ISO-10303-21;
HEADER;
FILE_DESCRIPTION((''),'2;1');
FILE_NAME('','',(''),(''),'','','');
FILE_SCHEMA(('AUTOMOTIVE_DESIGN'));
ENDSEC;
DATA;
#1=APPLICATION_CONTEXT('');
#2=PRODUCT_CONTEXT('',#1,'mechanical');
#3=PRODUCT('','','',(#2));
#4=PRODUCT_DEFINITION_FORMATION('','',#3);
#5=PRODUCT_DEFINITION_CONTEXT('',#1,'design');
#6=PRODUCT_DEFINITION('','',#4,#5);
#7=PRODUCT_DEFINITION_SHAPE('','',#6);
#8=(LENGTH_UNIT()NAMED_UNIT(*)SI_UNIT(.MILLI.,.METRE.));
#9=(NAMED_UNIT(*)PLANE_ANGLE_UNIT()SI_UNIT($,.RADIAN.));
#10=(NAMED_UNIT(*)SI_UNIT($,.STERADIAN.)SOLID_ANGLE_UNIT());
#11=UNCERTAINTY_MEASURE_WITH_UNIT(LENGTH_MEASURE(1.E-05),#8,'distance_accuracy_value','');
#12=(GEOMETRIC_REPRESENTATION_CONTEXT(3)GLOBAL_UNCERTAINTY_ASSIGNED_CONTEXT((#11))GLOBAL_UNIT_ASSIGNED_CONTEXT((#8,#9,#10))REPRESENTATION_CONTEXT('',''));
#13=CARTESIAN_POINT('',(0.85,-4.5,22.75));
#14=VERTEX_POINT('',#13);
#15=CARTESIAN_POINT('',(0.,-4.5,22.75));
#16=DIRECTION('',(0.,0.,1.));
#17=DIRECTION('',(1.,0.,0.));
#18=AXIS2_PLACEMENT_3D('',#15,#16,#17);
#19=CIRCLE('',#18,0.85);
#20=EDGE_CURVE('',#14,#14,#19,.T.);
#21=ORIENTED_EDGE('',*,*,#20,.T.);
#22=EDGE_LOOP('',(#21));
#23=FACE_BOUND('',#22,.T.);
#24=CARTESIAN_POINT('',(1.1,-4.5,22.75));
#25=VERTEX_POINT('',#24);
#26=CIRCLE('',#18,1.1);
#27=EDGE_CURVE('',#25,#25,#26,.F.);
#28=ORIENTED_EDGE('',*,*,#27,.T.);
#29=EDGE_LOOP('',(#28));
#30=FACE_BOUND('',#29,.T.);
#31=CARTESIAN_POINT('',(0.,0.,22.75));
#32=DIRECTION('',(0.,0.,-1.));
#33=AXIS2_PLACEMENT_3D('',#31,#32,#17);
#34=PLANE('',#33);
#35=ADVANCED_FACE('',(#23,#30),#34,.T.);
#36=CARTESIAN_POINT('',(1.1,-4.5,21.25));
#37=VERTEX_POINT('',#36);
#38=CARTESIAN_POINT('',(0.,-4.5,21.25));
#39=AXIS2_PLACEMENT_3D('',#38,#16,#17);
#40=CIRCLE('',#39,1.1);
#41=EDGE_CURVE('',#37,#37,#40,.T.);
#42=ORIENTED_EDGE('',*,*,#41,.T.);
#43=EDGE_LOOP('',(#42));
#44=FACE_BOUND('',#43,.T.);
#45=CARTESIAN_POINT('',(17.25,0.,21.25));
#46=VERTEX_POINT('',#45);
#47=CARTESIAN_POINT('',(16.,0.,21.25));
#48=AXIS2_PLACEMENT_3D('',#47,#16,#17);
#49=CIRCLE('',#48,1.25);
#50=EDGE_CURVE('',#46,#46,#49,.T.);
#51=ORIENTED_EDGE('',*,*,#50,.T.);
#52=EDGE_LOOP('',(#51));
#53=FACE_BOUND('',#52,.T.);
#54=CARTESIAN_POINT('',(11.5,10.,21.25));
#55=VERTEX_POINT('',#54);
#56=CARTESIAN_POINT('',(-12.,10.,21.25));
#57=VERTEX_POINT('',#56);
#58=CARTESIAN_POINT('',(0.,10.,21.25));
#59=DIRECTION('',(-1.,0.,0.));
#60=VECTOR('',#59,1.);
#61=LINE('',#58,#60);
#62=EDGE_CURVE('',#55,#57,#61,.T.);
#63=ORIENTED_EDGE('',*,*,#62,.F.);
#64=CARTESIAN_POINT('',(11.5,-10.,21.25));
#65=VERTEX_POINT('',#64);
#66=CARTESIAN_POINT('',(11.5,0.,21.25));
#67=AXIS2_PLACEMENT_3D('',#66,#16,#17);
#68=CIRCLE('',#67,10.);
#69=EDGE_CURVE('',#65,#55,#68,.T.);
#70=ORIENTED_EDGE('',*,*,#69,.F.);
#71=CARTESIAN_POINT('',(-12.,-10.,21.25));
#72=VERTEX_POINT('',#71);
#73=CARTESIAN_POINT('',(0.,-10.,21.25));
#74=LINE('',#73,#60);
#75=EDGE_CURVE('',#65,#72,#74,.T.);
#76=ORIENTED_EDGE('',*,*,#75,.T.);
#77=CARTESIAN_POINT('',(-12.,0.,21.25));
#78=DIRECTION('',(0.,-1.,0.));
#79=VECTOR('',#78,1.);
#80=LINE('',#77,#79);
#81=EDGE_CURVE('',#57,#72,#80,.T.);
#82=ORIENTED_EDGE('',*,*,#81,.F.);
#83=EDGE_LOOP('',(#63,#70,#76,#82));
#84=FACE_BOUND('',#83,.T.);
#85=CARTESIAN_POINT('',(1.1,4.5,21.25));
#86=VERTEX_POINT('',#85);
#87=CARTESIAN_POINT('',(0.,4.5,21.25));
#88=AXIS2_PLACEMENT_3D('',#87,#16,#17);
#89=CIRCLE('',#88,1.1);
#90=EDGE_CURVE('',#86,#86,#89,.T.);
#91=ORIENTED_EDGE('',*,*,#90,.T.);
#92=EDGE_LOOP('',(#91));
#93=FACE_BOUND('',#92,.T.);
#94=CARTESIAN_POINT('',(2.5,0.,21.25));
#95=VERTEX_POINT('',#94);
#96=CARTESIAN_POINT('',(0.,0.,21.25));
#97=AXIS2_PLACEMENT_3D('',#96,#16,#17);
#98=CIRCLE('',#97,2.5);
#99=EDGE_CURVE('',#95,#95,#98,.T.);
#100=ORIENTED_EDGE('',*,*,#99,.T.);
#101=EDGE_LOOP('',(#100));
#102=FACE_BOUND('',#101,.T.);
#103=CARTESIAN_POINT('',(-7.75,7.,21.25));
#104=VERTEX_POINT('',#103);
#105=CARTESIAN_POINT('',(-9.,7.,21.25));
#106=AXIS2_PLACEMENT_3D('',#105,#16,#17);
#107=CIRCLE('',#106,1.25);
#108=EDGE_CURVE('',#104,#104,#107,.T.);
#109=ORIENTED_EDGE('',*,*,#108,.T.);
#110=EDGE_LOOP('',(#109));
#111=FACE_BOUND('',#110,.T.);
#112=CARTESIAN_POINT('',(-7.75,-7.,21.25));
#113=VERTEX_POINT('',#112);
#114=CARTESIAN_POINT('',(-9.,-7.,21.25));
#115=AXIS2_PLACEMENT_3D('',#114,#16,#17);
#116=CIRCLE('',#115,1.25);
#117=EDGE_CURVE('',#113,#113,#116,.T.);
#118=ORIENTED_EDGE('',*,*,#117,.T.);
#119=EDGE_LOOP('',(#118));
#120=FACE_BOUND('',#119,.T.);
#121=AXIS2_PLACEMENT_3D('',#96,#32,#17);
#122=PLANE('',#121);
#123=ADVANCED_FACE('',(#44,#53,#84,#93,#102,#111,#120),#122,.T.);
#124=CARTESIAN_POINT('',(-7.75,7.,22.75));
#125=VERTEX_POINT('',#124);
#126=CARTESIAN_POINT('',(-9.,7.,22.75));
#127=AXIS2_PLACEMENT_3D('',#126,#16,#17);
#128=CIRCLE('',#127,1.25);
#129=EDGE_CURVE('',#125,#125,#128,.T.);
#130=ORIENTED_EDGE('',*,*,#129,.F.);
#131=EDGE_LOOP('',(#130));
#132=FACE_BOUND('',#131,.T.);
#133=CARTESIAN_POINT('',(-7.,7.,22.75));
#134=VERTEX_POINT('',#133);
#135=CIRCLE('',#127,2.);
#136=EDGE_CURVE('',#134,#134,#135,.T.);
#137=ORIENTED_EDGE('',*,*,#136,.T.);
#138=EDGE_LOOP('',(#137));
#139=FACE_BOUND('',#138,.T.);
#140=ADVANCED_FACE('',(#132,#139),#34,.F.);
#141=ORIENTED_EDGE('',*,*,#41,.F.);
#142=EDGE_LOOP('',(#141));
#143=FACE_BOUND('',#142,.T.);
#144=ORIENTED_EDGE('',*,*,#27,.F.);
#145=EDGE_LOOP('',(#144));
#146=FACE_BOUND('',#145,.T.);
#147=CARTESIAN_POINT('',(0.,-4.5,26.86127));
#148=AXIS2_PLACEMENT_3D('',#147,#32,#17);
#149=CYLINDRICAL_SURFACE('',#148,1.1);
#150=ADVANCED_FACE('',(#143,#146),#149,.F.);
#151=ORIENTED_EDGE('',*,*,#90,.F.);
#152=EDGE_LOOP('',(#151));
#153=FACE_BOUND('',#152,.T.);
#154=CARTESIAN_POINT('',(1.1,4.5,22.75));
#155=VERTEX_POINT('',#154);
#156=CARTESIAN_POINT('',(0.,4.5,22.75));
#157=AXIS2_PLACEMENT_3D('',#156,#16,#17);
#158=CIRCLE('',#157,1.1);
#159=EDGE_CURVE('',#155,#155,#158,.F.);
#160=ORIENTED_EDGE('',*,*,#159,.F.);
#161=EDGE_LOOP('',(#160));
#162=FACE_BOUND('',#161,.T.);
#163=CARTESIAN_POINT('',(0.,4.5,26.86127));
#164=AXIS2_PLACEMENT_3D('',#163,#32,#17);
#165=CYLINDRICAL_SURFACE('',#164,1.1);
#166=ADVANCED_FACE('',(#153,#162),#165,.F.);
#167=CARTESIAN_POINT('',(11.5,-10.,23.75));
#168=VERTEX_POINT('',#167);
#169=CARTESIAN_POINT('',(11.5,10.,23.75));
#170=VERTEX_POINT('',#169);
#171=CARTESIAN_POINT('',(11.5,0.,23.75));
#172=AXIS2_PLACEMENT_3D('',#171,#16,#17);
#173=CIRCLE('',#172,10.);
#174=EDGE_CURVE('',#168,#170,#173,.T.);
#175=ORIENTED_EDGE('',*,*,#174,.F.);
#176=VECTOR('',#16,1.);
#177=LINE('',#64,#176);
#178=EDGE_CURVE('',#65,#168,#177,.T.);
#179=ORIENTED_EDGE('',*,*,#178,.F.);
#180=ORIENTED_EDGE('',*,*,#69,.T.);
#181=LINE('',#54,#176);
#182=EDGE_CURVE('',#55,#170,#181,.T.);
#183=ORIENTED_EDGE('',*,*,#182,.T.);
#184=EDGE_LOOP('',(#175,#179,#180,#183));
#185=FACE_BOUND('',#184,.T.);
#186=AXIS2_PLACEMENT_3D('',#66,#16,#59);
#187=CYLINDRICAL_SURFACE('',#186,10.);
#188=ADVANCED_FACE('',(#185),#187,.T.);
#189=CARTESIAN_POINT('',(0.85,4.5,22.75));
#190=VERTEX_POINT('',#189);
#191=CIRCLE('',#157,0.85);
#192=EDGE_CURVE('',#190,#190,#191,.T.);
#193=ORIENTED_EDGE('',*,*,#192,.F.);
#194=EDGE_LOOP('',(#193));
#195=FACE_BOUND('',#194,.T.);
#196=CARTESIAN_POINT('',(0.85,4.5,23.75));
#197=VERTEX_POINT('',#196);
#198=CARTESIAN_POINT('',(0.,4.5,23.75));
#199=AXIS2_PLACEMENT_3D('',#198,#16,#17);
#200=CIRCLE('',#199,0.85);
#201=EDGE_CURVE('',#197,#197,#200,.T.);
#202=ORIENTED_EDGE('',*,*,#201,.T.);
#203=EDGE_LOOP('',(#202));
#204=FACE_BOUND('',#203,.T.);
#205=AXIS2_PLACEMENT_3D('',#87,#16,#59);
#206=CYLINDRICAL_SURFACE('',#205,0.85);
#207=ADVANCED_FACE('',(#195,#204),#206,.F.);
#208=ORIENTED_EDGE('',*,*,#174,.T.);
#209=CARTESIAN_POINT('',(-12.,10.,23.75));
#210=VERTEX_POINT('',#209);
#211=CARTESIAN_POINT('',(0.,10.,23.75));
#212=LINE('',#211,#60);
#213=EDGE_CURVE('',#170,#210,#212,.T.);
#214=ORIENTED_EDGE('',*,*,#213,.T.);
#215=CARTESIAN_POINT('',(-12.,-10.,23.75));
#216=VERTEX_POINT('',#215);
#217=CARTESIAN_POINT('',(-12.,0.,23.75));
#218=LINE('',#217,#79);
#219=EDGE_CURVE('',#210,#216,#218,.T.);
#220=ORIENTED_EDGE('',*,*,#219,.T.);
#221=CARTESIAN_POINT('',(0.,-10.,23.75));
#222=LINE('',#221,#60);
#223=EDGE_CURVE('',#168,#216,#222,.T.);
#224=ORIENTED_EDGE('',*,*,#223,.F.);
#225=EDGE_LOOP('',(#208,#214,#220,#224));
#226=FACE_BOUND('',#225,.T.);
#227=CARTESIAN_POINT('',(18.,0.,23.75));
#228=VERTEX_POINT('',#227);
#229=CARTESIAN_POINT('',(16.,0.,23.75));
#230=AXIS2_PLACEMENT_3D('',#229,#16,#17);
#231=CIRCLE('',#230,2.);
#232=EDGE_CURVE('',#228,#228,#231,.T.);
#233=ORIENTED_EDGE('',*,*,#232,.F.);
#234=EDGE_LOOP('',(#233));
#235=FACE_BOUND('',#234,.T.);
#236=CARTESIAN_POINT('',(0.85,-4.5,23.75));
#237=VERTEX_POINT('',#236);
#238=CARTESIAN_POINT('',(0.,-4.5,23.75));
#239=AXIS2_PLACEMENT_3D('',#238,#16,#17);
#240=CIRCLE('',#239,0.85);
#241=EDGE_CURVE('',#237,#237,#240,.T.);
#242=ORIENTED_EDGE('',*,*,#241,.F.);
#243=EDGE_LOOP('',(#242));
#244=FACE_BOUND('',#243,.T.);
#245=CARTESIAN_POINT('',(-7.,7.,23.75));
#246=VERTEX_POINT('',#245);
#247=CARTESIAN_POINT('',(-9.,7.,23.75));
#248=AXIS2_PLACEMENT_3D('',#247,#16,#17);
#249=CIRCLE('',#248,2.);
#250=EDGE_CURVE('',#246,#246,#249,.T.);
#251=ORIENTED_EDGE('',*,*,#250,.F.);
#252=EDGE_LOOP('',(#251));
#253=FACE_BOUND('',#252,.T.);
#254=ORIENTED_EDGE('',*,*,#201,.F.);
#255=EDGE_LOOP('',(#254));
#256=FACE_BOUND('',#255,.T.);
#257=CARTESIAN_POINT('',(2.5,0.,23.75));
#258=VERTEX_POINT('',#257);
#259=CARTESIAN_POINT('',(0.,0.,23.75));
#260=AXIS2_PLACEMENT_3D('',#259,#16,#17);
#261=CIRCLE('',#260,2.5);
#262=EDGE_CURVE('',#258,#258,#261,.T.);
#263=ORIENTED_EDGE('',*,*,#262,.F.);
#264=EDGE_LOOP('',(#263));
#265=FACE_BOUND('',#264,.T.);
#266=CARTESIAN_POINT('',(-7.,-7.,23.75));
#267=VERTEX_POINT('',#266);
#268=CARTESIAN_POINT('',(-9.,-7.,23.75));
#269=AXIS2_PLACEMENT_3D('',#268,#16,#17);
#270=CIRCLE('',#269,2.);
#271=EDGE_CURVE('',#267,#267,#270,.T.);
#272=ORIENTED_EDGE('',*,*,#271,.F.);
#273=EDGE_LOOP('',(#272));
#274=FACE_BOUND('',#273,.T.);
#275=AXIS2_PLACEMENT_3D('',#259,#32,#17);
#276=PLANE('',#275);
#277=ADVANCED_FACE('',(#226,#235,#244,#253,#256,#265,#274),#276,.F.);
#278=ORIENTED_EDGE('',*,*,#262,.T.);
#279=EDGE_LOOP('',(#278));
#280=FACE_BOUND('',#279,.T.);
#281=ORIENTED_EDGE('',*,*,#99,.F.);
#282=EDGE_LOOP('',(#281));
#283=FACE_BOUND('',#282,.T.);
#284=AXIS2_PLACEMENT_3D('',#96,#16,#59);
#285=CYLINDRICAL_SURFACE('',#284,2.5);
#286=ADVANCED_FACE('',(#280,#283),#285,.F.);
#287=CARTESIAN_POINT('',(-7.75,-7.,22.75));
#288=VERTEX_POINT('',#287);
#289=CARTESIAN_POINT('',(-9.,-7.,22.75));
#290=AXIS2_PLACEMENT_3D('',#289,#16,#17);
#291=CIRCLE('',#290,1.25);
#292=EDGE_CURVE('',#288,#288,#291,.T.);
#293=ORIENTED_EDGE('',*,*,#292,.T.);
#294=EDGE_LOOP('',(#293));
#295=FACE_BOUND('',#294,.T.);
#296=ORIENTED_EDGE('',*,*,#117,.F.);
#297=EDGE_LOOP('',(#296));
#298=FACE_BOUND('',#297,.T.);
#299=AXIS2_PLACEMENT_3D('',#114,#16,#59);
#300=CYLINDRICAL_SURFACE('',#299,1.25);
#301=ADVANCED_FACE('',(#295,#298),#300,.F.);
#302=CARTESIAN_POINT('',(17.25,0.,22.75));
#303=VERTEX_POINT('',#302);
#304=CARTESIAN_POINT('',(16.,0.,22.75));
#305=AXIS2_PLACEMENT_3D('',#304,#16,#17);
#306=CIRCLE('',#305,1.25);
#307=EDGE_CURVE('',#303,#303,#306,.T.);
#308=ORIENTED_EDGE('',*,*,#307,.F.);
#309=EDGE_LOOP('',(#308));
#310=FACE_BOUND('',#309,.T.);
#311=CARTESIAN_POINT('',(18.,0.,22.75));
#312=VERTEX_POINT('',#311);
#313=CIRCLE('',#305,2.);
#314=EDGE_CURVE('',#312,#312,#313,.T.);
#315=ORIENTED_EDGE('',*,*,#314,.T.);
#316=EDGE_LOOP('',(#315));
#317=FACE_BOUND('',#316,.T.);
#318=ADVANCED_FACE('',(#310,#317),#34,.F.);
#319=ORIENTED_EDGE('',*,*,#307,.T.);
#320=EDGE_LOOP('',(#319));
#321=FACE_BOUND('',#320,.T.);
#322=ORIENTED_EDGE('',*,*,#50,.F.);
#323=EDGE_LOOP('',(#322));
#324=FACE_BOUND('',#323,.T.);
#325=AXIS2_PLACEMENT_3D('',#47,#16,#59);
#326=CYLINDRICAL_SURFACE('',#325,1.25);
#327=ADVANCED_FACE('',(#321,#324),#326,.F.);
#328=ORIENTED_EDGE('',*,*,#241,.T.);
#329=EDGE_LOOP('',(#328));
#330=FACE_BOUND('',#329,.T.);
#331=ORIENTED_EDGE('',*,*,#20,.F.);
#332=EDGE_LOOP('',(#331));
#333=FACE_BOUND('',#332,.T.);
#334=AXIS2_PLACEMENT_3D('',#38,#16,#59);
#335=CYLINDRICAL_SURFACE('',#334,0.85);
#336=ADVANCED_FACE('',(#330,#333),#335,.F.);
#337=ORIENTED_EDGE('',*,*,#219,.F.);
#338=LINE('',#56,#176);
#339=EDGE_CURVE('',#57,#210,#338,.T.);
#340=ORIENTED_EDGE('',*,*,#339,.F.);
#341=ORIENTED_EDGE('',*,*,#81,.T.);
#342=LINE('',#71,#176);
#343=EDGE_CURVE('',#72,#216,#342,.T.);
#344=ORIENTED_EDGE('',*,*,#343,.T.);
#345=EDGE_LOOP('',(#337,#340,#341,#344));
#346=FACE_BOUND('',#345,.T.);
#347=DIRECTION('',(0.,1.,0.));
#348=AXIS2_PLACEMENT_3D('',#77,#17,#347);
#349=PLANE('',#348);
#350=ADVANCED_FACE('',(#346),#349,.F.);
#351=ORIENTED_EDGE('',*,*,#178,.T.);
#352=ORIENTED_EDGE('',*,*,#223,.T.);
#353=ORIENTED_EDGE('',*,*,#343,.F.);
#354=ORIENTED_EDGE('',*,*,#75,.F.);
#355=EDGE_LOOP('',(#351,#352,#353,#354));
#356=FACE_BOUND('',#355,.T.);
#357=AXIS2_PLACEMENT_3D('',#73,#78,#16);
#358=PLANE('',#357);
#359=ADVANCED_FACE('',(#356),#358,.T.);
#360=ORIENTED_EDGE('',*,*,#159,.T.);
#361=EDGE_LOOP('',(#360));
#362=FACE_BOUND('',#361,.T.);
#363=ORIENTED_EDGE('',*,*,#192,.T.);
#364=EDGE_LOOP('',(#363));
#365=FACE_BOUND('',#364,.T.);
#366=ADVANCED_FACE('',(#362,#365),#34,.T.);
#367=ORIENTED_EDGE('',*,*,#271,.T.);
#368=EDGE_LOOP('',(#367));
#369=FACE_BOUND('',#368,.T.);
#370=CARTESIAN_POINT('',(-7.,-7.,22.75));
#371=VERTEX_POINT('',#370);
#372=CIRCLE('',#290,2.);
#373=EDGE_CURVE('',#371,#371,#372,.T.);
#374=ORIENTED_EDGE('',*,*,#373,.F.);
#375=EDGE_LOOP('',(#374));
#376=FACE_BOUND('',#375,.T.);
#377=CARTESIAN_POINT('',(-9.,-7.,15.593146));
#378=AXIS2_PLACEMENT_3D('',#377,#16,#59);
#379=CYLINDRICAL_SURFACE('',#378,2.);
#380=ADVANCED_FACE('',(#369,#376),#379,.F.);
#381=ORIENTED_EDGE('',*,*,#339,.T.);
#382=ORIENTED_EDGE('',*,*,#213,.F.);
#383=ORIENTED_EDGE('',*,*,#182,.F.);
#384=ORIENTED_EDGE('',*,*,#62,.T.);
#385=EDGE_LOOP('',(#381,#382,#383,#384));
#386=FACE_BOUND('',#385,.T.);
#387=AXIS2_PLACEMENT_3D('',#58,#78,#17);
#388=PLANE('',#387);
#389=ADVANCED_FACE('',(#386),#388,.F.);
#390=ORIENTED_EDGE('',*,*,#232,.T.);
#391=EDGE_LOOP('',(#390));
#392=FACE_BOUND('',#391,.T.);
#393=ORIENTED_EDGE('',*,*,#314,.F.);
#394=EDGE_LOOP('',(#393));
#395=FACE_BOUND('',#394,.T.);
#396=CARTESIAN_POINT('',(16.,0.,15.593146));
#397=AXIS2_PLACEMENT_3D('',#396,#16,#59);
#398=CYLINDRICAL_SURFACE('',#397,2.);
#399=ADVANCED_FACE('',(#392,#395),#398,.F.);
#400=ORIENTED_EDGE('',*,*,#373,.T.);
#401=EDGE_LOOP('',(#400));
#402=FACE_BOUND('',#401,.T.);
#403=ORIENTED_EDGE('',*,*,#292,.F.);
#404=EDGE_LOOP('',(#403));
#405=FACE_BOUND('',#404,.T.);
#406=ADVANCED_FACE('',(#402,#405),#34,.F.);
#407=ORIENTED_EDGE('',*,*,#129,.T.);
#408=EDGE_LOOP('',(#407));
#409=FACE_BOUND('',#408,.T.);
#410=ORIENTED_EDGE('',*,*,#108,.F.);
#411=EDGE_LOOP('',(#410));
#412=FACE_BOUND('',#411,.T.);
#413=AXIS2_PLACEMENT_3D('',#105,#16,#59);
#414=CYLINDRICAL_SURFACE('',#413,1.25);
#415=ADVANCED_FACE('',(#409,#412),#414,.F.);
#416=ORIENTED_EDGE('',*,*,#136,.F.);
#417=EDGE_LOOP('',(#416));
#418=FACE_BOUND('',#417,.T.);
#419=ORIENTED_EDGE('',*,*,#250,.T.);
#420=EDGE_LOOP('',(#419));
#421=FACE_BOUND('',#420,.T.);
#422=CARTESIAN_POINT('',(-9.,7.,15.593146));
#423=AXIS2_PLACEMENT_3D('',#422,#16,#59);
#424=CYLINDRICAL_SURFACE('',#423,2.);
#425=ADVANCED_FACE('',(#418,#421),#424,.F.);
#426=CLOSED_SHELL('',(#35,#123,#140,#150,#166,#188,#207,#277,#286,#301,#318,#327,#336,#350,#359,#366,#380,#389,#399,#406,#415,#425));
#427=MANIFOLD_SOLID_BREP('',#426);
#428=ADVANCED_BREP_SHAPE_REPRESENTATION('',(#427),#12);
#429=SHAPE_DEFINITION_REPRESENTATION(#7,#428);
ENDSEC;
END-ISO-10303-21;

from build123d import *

# Parameters (mm, degrees)
SKETCH_1_R          = 2.5
SKETCH_1_R_2        = 0.85
SKETCH_1_R_3        = 1.25
EXTRUDE_1_DEPTH     = 1.25
CUT_EXTRUDE_START   = 1.25
SKETCH_1_4_R        = 1.1
CUT_EXTRUDE_1_DEPTH = 1.5
CUT_EXTRUDE_START_2 = -1.25
SKETCH_1_5_R        = 2
CUT_EXTRUDE_3_DEPTH = 1
SKETCH_2_W          = 43.696581843
SKETCH_2_H          = 27.281666247
CUT_EXTRUDE_4_DEPTH = 27.804850307


with BuildPart() as part:
    # 草图1 → 凸台-拉伸1 (new, symmetric)
    with BuildSketch(Plane.XY):
        with BuildLine():
            Line((11.5, 10), (-12, 10))
            Line((-12, 10), (-12, -10))
            Line((-12, -10), (11.5, -10))
            ThreePointArc((11.5, -10), (21.5, 0), (11.5, 10))
        make_face()
        Circle(SKETCH_1_R, mode=Mode.SUBTRACT)
        with Locations((0, 4.5)):
            Circle(SKETCH_1_R_2, mode=Mode.SUBTRACT)
        with Locations((0, -4.5)):
            Circle(SKETCH_1_R_2, mode=Mode.SUBTRACT)
        with Locations((-9, 7)):
            Circle(SKETCH_1_R_3, mode=Mode.SUBTRACT)
        with Locations((-9, -7)):
            Circle(SKETCH_1_R_3, mode=Mode.SUBTRACT)
        with Locations((16, 0)):
            Circle(SKETCH_1_R_3, mode=Mode.SUBTRACT)
    extrude(amount=EXTRUDE_1_DEPTH, both=True)

    # 草图1<4> → 切除-拉伸1 (cut)
    with BuildSketch(Plane.XY.offset(CUT_EXTRUDE_START)):
        with Locations((0, 4.5)):
            Circle(SKETCH_1_4_R)
        with Locations((0, -4.5)):
            Circle(SKETCH_1_4_R)
    extrude(amount=-CUT_EXTRUDE_1_DEPTH, mode=Mode.SUBTRACT)

    # 草图1<5> → 切除-拉伸3 (cut)
    with BuildSketch(Plane.XY.offset(CUT_EXTRUDE_START_2)):
        with Locations((-9, 7)):
            Circle(SKETCH_1_5_R)
        with Locations((-9, -7)):
            Circle(SKETCH_1_5_R)
        with Locations((16, 0)):
            Circle(SKETCH_1_5_R)
    extrude(amount=CUT_EXTRUDE_3_DEPTH, mode=Mode.SUBTRACT)


with BuildPart() as body_2:
    # 镜向1: mirrored copy
    add(part.part.mirror(Plane.XY.offset(11.25)))


with BuildPart() as part_1:
    add(part.part)

    # 草图2 → 切除-拉伸4 (cut, through all)
    with BuildSketch(Plane.XY.offset(11.25)):
        with Locations((2.339417989, -1.05223818)):
            Rectangle(SKETCH_2_W, SKETCH_2_H)
    extrude(amount=-CUT_EXTRUDE_4_DEPTH, mode=Mode.SUBTRACT)


solid = body_2.part
